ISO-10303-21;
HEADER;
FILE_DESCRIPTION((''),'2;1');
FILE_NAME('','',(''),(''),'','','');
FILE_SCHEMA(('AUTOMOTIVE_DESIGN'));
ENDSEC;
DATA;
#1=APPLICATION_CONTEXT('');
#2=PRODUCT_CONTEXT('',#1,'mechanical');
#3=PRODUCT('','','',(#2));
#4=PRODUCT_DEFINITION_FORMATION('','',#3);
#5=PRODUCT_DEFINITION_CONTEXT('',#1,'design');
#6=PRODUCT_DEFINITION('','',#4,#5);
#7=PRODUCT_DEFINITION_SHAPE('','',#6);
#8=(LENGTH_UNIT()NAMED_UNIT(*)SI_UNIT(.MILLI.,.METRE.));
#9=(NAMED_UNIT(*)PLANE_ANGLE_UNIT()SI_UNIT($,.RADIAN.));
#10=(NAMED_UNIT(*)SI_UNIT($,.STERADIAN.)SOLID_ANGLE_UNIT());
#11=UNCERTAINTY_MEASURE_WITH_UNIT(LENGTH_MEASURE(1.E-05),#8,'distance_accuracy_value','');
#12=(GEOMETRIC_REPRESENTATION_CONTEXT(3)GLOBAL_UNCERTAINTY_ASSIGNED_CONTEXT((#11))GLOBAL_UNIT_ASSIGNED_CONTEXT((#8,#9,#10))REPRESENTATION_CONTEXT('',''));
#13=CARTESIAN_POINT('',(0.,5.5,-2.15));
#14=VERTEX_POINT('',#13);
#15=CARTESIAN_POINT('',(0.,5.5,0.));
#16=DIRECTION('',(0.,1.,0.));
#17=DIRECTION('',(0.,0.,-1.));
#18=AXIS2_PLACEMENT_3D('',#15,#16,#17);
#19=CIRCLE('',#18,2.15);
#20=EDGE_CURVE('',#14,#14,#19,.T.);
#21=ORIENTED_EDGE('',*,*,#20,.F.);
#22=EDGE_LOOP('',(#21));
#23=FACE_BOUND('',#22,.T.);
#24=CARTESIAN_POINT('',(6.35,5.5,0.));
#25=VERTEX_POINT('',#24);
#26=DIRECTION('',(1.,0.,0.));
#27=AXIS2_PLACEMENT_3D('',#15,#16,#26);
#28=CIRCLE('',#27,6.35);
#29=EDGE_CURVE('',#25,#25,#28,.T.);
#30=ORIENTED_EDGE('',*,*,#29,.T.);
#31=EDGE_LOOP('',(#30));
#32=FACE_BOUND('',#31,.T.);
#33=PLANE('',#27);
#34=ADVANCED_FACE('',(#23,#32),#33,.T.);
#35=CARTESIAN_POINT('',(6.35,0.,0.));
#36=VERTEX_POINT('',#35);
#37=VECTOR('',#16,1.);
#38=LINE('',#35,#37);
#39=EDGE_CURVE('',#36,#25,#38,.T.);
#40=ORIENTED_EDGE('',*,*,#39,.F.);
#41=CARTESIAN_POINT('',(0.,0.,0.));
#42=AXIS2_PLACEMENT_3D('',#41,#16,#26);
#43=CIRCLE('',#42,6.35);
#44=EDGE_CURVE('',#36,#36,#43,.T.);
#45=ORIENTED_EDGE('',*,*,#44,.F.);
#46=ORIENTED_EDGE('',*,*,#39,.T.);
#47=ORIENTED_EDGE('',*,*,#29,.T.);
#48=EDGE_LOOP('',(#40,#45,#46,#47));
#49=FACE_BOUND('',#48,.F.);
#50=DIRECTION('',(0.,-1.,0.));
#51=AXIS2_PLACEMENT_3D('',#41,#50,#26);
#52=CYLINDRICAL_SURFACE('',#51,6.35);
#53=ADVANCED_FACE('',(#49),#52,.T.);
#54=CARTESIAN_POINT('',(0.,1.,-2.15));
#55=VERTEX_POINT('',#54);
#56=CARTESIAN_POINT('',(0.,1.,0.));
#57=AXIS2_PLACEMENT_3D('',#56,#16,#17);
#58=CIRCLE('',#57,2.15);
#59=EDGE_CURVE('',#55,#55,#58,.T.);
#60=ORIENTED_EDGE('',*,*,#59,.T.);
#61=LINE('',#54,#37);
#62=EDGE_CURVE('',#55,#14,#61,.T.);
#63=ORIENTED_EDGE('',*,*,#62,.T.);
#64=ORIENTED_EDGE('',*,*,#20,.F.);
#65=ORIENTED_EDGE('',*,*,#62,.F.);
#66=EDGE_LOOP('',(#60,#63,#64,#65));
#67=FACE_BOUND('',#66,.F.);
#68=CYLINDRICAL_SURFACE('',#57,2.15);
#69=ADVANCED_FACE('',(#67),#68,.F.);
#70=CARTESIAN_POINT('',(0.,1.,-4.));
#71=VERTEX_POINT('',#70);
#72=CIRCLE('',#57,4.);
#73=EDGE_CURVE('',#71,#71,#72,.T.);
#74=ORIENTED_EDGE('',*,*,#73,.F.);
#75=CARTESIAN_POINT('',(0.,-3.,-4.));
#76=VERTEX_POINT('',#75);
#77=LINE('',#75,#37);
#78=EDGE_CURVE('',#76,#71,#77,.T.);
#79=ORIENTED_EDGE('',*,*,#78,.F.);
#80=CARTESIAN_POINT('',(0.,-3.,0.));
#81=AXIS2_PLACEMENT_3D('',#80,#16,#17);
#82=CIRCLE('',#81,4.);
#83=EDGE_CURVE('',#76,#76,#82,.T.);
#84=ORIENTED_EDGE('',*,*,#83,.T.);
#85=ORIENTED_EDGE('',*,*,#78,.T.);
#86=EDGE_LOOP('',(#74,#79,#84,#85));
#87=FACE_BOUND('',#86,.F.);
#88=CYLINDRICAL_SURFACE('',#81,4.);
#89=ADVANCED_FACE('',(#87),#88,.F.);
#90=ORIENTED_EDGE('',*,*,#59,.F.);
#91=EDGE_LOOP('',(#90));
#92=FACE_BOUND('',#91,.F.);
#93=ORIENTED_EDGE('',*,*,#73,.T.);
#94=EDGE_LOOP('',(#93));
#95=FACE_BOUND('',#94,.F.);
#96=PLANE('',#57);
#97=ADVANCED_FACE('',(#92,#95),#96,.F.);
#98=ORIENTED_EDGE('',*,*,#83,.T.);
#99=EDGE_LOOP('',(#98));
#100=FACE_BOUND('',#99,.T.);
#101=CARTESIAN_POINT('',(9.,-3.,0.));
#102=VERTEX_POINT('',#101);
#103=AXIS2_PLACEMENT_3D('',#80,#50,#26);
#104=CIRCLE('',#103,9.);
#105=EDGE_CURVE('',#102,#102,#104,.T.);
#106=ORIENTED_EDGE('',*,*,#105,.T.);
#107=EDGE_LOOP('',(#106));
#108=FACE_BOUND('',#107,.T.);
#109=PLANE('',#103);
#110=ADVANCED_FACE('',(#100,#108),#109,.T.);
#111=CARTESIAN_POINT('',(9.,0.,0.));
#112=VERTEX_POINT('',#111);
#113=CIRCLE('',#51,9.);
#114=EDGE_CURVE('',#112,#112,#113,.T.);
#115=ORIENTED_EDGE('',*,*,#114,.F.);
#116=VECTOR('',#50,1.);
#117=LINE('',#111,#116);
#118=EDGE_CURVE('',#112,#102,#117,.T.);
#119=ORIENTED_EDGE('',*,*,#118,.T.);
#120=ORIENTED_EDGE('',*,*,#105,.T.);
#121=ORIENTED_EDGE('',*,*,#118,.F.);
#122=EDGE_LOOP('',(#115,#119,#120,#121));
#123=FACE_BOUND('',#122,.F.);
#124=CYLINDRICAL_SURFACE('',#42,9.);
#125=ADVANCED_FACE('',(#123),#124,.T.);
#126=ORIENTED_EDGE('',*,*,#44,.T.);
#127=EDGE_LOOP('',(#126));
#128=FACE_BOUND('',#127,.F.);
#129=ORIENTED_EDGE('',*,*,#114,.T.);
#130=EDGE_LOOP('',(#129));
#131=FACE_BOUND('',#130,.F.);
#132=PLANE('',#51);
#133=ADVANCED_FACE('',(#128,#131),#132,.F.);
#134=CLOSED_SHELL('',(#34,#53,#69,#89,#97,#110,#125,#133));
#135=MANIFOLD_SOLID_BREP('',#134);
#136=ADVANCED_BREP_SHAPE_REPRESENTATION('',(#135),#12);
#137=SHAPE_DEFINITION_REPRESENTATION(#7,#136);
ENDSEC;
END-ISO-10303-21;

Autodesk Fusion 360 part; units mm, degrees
sketch "Sketch1" plane through (0, 0, 0) normal (0, 1, 0) x (1, 0, 0)
  circle A0 centre (0, 0) radius 6.35
  dimension "d1" = 12.7
extrude "Extrude1" add sketch "Sketch1" along normal blind 5.5
sketch "Sketch2" plane through (0, 0, 0) normal (0, -1, 0) x (1, 0, 0)
  circle A0 centre (0, 0) radius 6.35
  circle A1 centre (0, 0) radius 9
  dimension "d4" = 18
extrude "Extrude2" add sketch "Sketch2" along normal blind 3 contours A0 | A1
sketch "Sketch3" plane through (0, -3, 0) normal (0, -1, 0) x (1, 0, 0)
  circle A0 centre (0, 0) radius 9
  circle A1 centre (0, 0) radius 2
  dimension "d7" = 4
hole "Hole1" at (0, -3, 0) direction (0, 1, 0) diameter 4.3 end through all counterbore diameter 8 counterbore depth 4
equation "d1 = 0'- 1/2\""
